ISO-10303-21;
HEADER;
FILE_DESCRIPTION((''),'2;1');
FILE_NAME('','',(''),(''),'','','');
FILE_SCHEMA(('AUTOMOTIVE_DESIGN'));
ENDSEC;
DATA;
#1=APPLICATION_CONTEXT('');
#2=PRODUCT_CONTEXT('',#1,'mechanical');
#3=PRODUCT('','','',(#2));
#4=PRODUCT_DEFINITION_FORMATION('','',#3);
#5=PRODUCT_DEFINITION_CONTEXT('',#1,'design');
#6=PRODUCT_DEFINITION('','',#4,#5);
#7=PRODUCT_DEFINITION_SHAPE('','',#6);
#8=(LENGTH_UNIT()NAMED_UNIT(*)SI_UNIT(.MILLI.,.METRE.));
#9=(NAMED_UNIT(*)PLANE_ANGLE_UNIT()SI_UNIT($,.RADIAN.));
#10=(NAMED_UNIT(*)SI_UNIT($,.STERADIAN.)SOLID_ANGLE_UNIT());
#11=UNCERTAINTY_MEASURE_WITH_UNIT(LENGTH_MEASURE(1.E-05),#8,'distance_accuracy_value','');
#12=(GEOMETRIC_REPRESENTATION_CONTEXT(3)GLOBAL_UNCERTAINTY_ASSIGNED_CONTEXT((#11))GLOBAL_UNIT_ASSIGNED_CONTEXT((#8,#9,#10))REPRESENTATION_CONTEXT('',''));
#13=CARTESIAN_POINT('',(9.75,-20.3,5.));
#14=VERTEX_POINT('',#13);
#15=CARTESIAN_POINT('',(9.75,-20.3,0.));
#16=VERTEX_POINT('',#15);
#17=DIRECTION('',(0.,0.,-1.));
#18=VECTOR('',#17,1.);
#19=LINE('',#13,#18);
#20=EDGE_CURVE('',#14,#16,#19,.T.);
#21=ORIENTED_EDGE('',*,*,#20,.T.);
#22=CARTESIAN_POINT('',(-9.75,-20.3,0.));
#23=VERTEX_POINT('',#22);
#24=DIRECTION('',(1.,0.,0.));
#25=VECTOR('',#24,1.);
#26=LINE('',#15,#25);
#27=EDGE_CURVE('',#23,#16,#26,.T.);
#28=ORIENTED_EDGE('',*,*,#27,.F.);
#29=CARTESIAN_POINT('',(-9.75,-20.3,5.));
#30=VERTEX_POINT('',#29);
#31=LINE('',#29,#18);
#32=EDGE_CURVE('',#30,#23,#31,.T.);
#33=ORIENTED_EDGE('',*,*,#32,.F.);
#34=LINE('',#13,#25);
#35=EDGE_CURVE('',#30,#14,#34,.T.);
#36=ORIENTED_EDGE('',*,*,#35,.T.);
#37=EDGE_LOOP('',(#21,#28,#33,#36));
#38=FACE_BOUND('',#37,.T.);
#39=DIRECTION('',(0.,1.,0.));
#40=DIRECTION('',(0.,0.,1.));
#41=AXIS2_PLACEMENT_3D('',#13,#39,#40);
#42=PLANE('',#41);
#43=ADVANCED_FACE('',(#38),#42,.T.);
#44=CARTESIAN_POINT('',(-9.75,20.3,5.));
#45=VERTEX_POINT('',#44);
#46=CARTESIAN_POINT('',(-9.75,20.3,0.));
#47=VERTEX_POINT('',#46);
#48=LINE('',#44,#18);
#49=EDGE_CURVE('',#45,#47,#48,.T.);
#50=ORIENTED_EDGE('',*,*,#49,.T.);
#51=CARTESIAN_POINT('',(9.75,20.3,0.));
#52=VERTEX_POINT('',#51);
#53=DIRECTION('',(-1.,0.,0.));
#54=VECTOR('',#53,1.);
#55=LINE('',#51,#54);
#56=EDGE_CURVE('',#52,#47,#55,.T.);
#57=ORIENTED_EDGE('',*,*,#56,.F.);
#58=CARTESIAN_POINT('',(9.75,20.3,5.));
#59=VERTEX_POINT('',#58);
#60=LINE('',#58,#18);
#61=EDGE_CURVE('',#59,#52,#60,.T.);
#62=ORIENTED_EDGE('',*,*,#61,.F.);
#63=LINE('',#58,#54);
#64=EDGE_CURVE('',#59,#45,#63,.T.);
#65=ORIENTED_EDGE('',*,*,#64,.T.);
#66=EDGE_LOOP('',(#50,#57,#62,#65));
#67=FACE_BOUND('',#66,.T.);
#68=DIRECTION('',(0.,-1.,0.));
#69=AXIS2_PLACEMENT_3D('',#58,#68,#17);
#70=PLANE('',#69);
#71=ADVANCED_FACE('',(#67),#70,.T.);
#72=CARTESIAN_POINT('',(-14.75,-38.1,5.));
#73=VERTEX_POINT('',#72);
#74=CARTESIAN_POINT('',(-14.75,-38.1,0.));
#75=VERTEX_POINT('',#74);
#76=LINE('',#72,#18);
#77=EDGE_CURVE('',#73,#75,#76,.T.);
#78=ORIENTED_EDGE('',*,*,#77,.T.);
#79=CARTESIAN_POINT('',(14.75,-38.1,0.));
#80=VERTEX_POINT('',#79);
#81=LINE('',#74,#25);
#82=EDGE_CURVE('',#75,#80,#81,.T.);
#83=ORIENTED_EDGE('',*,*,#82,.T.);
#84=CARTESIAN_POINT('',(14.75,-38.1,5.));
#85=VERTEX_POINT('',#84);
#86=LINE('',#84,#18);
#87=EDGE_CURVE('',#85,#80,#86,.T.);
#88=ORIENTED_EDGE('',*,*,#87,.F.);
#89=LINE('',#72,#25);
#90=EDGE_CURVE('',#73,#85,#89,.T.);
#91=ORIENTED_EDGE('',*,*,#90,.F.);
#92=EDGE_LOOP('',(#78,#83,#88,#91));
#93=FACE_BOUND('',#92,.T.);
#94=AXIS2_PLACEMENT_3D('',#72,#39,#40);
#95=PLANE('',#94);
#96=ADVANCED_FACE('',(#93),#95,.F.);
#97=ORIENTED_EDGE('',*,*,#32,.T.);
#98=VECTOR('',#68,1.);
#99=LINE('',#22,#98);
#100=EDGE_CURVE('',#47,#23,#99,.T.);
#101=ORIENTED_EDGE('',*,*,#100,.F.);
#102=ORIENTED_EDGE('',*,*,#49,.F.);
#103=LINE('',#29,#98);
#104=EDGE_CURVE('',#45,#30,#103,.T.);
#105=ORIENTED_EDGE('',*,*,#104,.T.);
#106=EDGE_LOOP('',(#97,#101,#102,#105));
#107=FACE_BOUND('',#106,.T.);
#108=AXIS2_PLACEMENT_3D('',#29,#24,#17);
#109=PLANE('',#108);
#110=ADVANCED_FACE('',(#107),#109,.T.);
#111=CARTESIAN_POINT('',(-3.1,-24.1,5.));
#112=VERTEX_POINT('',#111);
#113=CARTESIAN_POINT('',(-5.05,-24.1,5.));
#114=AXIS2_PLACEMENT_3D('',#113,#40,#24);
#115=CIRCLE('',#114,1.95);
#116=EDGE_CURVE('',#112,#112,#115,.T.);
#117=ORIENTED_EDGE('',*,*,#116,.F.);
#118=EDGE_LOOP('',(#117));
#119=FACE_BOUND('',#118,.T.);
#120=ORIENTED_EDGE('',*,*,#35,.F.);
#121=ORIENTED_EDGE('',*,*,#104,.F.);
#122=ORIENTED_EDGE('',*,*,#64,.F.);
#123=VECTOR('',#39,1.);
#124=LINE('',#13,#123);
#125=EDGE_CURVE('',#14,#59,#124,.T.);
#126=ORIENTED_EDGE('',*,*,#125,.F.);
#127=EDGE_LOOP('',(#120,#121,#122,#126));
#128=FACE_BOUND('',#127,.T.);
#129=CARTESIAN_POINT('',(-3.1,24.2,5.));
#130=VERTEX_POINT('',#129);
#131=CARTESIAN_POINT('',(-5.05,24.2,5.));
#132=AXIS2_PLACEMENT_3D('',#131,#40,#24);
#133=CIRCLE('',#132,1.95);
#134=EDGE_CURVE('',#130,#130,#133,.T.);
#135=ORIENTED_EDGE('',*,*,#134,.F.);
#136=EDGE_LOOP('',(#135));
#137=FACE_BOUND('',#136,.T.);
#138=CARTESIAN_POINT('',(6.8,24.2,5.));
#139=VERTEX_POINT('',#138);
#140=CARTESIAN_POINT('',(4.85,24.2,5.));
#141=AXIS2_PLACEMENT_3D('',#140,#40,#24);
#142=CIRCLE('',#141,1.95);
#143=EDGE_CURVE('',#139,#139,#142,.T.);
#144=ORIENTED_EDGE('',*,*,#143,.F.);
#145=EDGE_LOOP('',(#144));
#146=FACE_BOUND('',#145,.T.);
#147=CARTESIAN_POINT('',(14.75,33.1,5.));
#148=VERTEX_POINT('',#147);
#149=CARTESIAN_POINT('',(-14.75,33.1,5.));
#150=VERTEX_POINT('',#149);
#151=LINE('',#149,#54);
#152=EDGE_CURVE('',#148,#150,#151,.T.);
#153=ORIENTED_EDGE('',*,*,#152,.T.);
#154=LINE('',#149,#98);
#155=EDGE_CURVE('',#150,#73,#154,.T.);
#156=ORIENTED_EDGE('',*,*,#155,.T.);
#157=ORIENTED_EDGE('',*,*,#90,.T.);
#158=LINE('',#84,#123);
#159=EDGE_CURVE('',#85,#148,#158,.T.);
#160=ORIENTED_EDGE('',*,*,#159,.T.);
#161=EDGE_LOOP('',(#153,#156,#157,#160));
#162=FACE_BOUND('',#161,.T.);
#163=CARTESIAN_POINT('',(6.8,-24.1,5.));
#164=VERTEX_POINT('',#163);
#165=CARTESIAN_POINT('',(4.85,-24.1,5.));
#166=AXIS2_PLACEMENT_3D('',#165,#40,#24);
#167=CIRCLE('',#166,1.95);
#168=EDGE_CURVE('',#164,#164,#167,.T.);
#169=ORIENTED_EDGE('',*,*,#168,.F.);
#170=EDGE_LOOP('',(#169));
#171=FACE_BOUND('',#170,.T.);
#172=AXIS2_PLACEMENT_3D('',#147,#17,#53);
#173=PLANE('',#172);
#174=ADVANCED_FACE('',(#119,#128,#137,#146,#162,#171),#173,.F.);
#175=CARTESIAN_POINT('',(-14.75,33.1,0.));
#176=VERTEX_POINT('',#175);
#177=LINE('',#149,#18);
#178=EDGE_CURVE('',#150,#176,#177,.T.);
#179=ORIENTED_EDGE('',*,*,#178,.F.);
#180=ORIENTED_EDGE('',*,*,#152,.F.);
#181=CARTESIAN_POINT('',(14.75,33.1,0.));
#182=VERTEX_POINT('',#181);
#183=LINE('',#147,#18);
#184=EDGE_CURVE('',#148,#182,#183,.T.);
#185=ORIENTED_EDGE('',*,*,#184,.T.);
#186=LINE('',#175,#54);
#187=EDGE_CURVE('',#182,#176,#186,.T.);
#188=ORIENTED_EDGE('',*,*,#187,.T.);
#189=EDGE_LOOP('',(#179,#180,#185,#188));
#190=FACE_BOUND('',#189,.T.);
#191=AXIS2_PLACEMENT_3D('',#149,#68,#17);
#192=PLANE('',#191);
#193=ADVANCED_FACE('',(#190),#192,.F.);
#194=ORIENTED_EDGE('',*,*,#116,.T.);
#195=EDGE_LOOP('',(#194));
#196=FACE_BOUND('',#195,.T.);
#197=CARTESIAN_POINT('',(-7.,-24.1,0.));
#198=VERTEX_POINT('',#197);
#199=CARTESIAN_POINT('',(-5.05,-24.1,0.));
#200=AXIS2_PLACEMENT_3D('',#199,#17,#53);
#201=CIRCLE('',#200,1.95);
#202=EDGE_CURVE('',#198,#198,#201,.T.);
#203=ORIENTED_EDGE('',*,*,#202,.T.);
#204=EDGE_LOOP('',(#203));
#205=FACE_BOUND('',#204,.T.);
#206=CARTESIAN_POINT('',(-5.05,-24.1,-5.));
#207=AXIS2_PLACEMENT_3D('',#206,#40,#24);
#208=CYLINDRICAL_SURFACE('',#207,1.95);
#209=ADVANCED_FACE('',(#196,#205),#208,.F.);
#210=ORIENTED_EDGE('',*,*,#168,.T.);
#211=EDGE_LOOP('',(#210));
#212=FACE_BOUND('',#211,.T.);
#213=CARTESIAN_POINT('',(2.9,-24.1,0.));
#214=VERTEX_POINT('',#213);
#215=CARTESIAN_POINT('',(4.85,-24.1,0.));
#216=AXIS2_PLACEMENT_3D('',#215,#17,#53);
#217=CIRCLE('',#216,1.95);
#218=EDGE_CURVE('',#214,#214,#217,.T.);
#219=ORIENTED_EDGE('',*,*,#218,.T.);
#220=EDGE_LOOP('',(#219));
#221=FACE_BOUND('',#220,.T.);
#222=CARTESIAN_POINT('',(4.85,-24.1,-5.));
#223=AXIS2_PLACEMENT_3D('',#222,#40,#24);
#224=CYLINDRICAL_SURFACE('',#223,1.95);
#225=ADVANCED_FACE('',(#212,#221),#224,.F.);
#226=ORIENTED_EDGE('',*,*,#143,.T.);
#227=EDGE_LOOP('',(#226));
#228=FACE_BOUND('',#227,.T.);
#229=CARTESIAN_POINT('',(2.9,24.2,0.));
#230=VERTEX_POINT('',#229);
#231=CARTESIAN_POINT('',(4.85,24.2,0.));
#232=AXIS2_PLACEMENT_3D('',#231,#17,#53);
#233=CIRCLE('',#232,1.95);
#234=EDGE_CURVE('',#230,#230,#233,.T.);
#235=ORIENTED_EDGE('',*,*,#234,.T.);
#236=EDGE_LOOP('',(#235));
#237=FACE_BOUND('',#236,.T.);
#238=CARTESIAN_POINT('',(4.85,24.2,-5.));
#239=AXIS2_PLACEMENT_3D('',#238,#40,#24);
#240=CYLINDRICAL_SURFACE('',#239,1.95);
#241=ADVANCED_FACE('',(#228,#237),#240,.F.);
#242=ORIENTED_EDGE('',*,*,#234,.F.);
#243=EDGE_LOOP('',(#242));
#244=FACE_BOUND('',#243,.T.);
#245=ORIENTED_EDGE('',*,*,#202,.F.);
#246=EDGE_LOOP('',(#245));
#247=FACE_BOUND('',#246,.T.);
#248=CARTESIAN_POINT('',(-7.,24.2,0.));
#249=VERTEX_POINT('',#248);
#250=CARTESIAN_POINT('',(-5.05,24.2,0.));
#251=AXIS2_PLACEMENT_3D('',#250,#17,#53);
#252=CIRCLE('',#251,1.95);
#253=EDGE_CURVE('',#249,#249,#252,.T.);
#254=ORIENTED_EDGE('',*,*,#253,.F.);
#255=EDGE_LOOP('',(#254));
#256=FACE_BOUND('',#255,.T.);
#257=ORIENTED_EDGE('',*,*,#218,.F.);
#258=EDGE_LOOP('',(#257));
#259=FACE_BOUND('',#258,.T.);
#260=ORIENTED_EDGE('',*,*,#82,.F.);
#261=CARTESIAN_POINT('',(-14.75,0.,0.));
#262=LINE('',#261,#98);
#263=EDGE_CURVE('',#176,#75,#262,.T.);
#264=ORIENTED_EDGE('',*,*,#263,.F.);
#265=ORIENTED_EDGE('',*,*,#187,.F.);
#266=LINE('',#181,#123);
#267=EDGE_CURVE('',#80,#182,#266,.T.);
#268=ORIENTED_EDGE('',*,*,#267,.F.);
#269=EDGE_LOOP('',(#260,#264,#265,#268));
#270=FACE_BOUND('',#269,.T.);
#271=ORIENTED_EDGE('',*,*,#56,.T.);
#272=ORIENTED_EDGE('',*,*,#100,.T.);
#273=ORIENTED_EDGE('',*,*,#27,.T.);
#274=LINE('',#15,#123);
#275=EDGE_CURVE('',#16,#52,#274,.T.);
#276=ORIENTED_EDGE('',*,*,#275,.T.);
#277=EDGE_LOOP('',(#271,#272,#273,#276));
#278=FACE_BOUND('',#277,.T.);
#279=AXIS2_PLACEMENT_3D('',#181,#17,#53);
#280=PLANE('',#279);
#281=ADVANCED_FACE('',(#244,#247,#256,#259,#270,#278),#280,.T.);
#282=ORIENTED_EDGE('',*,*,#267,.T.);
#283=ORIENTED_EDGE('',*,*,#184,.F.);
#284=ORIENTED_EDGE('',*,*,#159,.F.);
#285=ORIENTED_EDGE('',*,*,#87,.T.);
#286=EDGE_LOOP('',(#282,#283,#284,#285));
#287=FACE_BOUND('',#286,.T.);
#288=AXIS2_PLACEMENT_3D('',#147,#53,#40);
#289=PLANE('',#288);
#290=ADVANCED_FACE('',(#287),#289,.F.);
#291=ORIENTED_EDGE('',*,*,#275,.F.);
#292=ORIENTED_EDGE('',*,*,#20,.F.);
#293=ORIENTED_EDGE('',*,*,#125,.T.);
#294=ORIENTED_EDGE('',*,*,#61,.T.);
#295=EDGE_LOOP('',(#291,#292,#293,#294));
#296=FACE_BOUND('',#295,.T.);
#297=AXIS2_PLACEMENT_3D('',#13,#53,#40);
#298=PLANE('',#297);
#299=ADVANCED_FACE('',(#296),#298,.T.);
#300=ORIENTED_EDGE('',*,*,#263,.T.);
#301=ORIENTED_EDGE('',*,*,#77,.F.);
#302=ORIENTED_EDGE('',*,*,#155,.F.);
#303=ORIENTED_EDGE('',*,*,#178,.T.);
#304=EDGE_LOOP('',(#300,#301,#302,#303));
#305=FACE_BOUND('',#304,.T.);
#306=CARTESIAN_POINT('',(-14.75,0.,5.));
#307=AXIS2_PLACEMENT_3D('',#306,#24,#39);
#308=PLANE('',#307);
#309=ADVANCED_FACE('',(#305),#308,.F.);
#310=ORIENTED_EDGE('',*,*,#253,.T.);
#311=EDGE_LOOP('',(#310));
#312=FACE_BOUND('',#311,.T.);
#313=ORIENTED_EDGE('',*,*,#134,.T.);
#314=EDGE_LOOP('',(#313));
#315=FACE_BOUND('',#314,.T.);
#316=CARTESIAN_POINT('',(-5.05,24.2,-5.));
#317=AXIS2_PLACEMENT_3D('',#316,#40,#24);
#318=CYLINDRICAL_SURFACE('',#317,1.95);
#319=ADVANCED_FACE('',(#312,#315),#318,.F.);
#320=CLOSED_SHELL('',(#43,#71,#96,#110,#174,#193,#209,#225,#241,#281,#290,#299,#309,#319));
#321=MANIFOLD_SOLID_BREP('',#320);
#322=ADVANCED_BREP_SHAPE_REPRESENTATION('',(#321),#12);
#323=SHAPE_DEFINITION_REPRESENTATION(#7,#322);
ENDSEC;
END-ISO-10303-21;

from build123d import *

# Parameters (mm, degrees)
CROQUIS1_W              = 19.5
CROQUIS1_H              = 40.6
SALIENTE_EXTRUIR2_DEPTH = 5
CROQUIS3_R              = 1.95
CORTAR_EXTRUIR1_DEPTH   = 10


with BuildPart() as part:
    # Croquis1 → Saliente-Extruir2 (new body)
    with BuildSketch(Plane.XY):
        Polygon((-14.75, 33.1), (14.75, 33.1), (14.75, 0), (14.75, -38.1), (-14.75, -38.1), (-14.75, 0), align=None)
        Rectangle(CROQUIS1_W, CROQUIS1_H, mode=Mode.SUBTRACT)
    extrude(amount=SALIENTE_EXTRUIR2_DEPTH)

    # Croquis3 → Cortar-Extruir1 (cut)
    with BuildSketch(Plane.XY.offset(5)):
        with Locations((-5.05, 24.2)):
            Circle(CROQUIS3_R)
        with Locations((4.85, 24.2)):
            Circle(CROQUIS3_R)
        with Locations((-5.05, -24.1)):
            Circle(CROQUIS3_R)
        with Locations((4.85, -24.1)):
            Circle(CROQUIS3_R)
    extrude(amount=-CORTAR_EXTRUIR1_DEPTH, mode=Mode.SUBTRACT)


solid = part.part
